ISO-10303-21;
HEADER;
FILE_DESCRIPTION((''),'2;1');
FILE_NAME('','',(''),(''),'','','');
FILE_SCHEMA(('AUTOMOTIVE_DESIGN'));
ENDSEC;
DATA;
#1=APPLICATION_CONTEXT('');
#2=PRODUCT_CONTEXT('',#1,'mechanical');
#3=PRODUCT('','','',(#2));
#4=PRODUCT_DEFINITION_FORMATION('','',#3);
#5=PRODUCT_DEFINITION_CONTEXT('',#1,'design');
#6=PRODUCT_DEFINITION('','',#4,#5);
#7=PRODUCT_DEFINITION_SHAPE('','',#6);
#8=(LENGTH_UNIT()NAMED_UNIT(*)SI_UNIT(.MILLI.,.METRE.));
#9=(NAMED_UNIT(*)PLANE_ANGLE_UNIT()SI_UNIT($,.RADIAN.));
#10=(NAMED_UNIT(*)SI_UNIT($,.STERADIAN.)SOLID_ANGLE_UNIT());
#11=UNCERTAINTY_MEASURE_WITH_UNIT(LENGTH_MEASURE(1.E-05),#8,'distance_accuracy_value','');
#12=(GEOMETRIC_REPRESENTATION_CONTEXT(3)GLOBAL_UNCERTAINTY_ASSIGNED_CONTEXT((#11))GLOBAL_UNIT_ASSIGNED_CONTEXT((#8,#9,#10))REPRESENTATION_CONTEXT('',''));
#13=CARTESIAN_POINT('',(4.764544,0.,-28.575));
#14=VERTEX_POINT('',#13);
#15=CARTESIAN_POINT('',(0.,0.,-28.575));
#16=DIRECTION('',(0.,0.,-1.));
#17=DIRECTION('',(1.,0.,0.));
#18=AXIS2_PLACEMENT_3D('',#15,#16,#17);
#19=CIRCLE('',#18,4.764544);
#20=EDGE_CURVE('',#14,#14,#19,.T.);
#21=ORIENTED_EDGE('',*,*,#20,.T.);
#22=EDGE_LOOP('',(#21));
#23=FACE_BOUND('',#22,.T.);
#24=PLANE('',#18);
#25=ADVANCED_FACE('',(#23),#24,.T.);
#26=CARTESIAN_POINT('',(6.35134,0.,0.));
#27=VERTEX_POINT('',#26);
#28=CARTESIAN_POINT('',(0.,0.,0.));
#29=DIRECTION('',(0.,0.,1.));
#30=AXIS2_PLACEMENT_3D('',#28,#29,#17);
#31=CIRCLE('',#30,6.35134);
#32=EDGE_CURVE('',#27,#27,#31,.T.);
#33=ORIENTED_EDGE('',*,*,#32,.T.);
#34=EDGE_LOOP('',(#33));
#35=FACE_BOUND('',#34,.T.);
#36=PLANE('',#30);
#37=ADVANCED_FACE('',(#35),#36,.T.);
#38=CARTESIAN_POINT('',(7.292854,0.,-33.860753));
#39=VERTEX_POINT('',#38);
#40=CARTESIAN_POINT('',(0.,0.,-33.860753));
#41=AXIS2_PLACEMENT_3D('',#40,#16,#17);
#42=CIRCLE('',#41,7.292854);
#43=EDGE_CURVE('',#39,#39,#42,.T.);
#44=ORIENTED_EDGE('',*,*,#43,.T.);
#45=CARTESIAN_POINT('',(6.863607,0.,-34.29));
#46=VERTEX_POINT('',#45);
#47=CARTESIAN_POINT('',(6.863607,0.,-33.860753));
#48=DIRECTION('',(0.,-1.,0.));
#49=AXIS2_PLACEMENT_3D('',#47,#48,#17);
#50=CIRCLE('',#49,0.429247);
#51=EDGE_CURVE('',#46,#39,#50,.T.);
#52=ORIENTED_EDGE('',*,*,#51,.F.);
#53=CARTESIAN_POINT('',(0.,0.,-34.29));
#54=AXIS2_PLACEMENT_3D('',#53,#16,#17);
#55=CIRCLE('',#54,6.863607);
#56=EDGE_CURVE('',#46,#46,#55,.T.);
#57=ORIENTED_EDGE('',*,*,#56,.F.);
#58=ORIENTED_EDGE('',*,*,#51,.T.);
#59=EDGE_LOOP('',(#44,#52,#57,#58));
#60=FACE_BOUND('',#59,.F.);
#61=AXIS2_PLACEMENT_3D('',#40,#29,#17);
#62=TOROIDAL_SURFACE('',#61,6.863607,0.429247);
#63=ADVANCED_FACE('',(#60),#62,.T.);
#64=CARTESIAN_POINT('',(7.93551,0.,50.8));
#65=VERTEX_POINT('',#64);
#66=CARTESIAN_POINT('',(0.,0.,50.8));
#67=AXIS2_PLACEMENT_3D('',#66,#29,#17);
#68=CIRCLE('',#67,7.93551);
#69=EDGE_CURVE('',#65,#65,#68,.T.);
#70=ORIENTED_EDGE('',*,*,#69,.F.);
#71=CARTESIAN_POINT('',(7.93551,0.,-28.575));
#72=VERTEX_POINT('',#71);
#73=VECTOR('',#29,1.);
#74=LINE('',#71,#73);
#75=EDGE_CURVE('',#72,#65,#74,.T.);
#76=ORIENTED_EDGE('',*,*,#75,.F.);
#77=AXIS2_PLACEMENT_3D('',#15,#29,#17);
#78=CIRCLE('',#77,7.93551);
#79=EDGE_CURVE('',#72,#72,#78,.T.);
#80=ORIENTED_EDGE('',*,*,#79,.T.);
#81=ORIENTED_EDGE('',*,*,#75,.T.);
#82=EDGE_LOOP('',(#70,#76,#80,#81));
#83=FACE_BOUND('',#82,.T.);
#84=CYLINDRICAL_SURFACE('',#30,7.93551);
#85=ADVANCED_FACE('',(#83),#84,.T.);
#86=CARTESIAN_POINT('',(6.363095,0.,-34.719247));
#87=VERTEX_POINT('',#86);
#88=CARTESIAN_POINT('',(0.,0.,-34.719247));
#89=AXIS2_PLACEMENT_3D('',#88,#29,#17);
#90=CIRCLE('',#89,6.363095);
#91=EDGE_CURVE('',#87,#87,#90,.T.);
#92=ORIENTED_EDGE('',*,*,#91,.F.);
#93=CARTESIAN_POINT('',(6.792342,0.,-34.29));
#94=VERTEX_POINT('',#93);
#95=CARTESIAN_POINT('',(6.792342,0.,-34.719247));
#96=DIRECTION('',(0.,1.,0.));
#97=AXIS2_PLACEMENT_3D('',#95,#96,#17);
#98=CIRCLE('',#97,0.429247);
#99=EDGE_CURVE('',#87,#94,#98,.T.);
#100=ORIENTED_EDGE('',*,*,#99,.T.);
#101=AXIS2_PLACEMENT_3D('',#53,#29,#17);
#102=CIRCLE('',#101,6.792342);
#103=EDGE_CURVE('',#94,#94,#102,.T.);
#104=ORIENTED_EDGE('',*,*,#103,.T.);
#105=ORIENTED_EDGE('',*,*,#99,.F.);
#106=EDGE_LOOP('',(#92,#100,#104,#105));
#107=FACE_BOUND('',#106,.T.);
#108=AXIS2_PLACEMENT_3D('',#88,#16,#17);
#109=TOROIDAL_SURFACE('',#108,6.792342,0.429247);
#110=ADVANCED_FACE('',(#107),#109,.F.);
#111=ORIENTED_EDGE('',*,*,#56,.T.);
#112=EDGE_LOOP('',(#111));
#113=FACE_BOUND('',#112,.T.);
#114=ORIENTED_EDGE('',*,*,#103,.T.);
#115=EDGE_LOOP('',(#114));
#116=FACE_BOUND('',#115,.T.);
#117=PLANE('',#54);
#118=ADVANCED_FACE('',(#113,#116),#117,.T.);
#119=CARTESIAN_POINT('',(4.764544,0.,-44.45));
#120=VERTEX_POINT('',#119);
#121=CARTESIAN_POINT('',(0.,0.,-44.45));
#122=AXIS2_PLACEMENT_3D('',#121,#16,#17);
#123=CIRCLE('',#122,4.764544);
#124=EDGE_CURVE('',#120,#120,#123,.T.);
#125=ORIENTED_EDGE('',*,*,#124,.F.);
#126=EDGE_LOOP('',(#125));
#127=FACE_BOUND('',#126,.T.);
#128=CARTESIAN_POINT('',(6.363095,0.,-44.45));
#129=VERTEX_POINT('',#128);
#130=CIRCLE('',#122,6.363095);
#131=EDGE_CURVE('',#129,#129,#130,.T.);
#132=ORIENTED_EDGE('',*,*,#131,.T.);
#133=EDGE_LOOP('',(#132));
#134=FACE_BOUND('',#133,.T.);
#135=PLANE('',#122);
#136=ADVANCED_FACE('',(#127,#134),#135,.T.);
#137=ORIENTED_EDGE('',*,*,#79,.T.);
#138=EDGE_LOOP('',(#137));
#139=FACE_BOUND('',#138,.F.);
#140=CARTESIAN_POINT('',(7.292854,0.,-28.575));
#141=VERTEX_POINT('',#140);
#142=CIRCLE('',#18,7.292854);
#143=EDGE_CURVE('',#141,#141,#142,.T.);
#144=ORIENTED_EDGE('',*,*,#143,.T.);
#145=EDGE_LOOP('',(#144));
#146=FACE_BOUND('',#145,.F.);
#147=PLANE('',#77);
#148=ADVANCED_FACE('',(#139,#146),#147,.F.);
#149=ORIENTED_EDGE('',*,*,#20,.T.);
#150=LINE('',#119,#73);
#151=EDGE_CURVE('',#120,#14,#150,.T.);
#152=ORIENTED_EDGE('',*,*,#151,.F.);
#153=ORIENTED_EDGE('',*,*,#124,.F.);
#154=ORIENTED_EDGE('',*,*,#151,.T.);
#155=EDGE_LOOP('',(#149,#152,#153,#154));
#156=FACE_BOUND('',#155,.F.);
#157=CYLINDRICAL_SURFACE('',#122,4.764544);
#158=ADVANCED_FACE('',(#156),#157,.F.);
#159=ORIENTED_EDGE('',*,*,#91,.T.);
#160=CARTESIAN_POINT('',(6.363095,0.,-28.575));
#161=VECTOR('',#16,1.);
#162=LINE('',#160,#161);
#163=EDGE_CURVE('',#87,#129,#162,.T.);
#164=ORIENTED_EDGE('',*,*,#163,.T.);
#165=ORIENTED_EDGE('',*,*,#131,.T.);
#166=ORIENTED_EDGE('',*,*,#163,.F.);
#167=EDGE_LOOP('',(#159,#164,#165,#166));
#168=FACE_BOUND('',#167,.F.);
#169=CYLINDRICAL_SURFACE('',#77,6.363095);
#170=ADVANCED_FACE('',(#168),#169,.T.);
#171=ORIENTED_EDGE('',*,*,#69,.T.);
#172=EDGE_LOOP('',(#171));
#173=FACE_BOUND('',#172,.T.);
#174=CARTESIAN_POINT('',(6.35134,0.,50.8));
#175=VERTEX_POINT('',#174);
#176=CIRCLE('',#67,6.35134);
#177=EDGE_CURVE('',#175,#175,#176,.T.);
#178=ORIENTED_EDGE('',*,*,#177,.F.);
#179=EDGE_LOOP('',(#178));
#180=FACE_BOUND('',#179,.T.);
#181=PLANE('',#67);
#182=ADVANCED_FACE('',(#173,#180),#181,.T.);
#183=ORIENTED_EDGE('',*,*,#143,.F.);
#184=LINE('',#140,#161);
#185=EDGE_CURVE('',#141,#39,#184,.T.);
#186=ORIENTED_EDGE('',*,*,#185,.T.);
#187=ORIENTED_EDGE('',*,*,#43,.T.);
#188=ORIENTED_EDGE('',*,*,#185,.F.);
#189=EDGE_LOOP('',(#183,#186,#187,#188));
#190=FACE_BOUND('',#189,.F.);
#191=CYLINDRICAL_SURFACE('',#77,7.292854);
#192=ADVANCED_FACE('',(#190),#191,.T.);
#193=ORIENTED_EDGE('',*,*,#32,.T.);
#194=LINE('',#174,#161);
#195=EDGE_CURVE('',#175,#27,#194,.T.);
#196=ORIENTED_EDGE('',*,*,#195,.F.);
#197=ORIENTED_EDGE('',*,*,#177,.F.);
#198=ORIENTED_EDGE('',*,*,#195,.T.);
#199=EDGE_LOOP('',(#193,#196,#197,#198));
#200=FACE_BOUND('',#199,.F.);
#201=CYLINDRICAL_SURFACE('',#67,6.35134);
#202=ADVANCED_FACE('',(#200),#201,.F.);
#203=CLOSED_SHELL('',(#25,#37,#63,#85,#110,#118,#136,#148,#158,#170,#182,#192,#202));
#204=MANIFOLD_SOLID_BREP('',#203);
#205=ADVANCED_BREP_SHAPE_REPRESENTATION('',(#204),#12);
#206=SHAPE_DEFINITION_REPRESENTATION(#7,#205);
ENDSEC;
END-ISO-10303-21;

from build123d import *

# Parameters (mm, degrees)
F0_R      = 7.9355102155
F1_DEPTH  = 50.8
F2_DEPTH  = 28.575
F3_R      = 7.2928540477
F5_DEPTH  = 5.715
F4_R      = 6.3630946633
F6_DEPTH  = 15.875
F7_R      = 0.4292471714
F8_R      = 4.7645441954
F9_DEPTH  = 15.875
F10_R     = 6.351340122
F11_DEPTH = 50.8


with BuildPart() as f1:
    # F0 (on Top) → F1 (new body)
    with BuildSketch(Plane.XY):
        Circle(F0_R)
    extrude(amount=F1_DEPTH)

    # F2 (add): a face of the model
    f2_faces = [f1.faces().sort_by_distance(p)[0] for p in [
        (0, 0, 0),
    ]]
    extrude(f2_faces, amount=F2_DEPTH)

    # F3 (on face) → F5 (join)
    with BuildSketch(Plane(origin=(0, 0, -28.575), x_dir=(1, 0, 0), z_dir=(0, 0, -1))):
        Circle(F3_R)
    extrude(amount=F5_DEPTH)

    # F4 (on face) → F6 (join)
    with BuildSketch(Plane(origin=(0, 0, -28.575), x_dir=(1, 0, 0), z_dir=(0, 0, -1))):
        Circle(F4_R)
    extrude(amount=F6_DEPTH)

    # F7
    f7_edges = [f1.edges().sort_by_distance(p)[0] for p in [
        (-6.363095, 0, -34.29),
        (-7.292854, 0, -34.29),
    ]]
    fillet(f7_edges, radius=F7_R)

    # F8 (on face) → F9 (cut)
    with BuildSketch(Plane(origin=(0, 0, -44.45), x_dir=(1, 0, 0), z_dir=(0, 0, -1))):
        Circle(F8_R)
    extrude(amount=-F9_DEPTH, mode=Mode.SUBTRACT)

    # F10 (on face) → F11 (cut)
    with BuildSketch(Plane.XY.offset(50.8)):
        Circle(F10_R)
    extrude(amount=-F11_DEPTH, mode=Mode.SUBTRACT)


solid = f1.part
